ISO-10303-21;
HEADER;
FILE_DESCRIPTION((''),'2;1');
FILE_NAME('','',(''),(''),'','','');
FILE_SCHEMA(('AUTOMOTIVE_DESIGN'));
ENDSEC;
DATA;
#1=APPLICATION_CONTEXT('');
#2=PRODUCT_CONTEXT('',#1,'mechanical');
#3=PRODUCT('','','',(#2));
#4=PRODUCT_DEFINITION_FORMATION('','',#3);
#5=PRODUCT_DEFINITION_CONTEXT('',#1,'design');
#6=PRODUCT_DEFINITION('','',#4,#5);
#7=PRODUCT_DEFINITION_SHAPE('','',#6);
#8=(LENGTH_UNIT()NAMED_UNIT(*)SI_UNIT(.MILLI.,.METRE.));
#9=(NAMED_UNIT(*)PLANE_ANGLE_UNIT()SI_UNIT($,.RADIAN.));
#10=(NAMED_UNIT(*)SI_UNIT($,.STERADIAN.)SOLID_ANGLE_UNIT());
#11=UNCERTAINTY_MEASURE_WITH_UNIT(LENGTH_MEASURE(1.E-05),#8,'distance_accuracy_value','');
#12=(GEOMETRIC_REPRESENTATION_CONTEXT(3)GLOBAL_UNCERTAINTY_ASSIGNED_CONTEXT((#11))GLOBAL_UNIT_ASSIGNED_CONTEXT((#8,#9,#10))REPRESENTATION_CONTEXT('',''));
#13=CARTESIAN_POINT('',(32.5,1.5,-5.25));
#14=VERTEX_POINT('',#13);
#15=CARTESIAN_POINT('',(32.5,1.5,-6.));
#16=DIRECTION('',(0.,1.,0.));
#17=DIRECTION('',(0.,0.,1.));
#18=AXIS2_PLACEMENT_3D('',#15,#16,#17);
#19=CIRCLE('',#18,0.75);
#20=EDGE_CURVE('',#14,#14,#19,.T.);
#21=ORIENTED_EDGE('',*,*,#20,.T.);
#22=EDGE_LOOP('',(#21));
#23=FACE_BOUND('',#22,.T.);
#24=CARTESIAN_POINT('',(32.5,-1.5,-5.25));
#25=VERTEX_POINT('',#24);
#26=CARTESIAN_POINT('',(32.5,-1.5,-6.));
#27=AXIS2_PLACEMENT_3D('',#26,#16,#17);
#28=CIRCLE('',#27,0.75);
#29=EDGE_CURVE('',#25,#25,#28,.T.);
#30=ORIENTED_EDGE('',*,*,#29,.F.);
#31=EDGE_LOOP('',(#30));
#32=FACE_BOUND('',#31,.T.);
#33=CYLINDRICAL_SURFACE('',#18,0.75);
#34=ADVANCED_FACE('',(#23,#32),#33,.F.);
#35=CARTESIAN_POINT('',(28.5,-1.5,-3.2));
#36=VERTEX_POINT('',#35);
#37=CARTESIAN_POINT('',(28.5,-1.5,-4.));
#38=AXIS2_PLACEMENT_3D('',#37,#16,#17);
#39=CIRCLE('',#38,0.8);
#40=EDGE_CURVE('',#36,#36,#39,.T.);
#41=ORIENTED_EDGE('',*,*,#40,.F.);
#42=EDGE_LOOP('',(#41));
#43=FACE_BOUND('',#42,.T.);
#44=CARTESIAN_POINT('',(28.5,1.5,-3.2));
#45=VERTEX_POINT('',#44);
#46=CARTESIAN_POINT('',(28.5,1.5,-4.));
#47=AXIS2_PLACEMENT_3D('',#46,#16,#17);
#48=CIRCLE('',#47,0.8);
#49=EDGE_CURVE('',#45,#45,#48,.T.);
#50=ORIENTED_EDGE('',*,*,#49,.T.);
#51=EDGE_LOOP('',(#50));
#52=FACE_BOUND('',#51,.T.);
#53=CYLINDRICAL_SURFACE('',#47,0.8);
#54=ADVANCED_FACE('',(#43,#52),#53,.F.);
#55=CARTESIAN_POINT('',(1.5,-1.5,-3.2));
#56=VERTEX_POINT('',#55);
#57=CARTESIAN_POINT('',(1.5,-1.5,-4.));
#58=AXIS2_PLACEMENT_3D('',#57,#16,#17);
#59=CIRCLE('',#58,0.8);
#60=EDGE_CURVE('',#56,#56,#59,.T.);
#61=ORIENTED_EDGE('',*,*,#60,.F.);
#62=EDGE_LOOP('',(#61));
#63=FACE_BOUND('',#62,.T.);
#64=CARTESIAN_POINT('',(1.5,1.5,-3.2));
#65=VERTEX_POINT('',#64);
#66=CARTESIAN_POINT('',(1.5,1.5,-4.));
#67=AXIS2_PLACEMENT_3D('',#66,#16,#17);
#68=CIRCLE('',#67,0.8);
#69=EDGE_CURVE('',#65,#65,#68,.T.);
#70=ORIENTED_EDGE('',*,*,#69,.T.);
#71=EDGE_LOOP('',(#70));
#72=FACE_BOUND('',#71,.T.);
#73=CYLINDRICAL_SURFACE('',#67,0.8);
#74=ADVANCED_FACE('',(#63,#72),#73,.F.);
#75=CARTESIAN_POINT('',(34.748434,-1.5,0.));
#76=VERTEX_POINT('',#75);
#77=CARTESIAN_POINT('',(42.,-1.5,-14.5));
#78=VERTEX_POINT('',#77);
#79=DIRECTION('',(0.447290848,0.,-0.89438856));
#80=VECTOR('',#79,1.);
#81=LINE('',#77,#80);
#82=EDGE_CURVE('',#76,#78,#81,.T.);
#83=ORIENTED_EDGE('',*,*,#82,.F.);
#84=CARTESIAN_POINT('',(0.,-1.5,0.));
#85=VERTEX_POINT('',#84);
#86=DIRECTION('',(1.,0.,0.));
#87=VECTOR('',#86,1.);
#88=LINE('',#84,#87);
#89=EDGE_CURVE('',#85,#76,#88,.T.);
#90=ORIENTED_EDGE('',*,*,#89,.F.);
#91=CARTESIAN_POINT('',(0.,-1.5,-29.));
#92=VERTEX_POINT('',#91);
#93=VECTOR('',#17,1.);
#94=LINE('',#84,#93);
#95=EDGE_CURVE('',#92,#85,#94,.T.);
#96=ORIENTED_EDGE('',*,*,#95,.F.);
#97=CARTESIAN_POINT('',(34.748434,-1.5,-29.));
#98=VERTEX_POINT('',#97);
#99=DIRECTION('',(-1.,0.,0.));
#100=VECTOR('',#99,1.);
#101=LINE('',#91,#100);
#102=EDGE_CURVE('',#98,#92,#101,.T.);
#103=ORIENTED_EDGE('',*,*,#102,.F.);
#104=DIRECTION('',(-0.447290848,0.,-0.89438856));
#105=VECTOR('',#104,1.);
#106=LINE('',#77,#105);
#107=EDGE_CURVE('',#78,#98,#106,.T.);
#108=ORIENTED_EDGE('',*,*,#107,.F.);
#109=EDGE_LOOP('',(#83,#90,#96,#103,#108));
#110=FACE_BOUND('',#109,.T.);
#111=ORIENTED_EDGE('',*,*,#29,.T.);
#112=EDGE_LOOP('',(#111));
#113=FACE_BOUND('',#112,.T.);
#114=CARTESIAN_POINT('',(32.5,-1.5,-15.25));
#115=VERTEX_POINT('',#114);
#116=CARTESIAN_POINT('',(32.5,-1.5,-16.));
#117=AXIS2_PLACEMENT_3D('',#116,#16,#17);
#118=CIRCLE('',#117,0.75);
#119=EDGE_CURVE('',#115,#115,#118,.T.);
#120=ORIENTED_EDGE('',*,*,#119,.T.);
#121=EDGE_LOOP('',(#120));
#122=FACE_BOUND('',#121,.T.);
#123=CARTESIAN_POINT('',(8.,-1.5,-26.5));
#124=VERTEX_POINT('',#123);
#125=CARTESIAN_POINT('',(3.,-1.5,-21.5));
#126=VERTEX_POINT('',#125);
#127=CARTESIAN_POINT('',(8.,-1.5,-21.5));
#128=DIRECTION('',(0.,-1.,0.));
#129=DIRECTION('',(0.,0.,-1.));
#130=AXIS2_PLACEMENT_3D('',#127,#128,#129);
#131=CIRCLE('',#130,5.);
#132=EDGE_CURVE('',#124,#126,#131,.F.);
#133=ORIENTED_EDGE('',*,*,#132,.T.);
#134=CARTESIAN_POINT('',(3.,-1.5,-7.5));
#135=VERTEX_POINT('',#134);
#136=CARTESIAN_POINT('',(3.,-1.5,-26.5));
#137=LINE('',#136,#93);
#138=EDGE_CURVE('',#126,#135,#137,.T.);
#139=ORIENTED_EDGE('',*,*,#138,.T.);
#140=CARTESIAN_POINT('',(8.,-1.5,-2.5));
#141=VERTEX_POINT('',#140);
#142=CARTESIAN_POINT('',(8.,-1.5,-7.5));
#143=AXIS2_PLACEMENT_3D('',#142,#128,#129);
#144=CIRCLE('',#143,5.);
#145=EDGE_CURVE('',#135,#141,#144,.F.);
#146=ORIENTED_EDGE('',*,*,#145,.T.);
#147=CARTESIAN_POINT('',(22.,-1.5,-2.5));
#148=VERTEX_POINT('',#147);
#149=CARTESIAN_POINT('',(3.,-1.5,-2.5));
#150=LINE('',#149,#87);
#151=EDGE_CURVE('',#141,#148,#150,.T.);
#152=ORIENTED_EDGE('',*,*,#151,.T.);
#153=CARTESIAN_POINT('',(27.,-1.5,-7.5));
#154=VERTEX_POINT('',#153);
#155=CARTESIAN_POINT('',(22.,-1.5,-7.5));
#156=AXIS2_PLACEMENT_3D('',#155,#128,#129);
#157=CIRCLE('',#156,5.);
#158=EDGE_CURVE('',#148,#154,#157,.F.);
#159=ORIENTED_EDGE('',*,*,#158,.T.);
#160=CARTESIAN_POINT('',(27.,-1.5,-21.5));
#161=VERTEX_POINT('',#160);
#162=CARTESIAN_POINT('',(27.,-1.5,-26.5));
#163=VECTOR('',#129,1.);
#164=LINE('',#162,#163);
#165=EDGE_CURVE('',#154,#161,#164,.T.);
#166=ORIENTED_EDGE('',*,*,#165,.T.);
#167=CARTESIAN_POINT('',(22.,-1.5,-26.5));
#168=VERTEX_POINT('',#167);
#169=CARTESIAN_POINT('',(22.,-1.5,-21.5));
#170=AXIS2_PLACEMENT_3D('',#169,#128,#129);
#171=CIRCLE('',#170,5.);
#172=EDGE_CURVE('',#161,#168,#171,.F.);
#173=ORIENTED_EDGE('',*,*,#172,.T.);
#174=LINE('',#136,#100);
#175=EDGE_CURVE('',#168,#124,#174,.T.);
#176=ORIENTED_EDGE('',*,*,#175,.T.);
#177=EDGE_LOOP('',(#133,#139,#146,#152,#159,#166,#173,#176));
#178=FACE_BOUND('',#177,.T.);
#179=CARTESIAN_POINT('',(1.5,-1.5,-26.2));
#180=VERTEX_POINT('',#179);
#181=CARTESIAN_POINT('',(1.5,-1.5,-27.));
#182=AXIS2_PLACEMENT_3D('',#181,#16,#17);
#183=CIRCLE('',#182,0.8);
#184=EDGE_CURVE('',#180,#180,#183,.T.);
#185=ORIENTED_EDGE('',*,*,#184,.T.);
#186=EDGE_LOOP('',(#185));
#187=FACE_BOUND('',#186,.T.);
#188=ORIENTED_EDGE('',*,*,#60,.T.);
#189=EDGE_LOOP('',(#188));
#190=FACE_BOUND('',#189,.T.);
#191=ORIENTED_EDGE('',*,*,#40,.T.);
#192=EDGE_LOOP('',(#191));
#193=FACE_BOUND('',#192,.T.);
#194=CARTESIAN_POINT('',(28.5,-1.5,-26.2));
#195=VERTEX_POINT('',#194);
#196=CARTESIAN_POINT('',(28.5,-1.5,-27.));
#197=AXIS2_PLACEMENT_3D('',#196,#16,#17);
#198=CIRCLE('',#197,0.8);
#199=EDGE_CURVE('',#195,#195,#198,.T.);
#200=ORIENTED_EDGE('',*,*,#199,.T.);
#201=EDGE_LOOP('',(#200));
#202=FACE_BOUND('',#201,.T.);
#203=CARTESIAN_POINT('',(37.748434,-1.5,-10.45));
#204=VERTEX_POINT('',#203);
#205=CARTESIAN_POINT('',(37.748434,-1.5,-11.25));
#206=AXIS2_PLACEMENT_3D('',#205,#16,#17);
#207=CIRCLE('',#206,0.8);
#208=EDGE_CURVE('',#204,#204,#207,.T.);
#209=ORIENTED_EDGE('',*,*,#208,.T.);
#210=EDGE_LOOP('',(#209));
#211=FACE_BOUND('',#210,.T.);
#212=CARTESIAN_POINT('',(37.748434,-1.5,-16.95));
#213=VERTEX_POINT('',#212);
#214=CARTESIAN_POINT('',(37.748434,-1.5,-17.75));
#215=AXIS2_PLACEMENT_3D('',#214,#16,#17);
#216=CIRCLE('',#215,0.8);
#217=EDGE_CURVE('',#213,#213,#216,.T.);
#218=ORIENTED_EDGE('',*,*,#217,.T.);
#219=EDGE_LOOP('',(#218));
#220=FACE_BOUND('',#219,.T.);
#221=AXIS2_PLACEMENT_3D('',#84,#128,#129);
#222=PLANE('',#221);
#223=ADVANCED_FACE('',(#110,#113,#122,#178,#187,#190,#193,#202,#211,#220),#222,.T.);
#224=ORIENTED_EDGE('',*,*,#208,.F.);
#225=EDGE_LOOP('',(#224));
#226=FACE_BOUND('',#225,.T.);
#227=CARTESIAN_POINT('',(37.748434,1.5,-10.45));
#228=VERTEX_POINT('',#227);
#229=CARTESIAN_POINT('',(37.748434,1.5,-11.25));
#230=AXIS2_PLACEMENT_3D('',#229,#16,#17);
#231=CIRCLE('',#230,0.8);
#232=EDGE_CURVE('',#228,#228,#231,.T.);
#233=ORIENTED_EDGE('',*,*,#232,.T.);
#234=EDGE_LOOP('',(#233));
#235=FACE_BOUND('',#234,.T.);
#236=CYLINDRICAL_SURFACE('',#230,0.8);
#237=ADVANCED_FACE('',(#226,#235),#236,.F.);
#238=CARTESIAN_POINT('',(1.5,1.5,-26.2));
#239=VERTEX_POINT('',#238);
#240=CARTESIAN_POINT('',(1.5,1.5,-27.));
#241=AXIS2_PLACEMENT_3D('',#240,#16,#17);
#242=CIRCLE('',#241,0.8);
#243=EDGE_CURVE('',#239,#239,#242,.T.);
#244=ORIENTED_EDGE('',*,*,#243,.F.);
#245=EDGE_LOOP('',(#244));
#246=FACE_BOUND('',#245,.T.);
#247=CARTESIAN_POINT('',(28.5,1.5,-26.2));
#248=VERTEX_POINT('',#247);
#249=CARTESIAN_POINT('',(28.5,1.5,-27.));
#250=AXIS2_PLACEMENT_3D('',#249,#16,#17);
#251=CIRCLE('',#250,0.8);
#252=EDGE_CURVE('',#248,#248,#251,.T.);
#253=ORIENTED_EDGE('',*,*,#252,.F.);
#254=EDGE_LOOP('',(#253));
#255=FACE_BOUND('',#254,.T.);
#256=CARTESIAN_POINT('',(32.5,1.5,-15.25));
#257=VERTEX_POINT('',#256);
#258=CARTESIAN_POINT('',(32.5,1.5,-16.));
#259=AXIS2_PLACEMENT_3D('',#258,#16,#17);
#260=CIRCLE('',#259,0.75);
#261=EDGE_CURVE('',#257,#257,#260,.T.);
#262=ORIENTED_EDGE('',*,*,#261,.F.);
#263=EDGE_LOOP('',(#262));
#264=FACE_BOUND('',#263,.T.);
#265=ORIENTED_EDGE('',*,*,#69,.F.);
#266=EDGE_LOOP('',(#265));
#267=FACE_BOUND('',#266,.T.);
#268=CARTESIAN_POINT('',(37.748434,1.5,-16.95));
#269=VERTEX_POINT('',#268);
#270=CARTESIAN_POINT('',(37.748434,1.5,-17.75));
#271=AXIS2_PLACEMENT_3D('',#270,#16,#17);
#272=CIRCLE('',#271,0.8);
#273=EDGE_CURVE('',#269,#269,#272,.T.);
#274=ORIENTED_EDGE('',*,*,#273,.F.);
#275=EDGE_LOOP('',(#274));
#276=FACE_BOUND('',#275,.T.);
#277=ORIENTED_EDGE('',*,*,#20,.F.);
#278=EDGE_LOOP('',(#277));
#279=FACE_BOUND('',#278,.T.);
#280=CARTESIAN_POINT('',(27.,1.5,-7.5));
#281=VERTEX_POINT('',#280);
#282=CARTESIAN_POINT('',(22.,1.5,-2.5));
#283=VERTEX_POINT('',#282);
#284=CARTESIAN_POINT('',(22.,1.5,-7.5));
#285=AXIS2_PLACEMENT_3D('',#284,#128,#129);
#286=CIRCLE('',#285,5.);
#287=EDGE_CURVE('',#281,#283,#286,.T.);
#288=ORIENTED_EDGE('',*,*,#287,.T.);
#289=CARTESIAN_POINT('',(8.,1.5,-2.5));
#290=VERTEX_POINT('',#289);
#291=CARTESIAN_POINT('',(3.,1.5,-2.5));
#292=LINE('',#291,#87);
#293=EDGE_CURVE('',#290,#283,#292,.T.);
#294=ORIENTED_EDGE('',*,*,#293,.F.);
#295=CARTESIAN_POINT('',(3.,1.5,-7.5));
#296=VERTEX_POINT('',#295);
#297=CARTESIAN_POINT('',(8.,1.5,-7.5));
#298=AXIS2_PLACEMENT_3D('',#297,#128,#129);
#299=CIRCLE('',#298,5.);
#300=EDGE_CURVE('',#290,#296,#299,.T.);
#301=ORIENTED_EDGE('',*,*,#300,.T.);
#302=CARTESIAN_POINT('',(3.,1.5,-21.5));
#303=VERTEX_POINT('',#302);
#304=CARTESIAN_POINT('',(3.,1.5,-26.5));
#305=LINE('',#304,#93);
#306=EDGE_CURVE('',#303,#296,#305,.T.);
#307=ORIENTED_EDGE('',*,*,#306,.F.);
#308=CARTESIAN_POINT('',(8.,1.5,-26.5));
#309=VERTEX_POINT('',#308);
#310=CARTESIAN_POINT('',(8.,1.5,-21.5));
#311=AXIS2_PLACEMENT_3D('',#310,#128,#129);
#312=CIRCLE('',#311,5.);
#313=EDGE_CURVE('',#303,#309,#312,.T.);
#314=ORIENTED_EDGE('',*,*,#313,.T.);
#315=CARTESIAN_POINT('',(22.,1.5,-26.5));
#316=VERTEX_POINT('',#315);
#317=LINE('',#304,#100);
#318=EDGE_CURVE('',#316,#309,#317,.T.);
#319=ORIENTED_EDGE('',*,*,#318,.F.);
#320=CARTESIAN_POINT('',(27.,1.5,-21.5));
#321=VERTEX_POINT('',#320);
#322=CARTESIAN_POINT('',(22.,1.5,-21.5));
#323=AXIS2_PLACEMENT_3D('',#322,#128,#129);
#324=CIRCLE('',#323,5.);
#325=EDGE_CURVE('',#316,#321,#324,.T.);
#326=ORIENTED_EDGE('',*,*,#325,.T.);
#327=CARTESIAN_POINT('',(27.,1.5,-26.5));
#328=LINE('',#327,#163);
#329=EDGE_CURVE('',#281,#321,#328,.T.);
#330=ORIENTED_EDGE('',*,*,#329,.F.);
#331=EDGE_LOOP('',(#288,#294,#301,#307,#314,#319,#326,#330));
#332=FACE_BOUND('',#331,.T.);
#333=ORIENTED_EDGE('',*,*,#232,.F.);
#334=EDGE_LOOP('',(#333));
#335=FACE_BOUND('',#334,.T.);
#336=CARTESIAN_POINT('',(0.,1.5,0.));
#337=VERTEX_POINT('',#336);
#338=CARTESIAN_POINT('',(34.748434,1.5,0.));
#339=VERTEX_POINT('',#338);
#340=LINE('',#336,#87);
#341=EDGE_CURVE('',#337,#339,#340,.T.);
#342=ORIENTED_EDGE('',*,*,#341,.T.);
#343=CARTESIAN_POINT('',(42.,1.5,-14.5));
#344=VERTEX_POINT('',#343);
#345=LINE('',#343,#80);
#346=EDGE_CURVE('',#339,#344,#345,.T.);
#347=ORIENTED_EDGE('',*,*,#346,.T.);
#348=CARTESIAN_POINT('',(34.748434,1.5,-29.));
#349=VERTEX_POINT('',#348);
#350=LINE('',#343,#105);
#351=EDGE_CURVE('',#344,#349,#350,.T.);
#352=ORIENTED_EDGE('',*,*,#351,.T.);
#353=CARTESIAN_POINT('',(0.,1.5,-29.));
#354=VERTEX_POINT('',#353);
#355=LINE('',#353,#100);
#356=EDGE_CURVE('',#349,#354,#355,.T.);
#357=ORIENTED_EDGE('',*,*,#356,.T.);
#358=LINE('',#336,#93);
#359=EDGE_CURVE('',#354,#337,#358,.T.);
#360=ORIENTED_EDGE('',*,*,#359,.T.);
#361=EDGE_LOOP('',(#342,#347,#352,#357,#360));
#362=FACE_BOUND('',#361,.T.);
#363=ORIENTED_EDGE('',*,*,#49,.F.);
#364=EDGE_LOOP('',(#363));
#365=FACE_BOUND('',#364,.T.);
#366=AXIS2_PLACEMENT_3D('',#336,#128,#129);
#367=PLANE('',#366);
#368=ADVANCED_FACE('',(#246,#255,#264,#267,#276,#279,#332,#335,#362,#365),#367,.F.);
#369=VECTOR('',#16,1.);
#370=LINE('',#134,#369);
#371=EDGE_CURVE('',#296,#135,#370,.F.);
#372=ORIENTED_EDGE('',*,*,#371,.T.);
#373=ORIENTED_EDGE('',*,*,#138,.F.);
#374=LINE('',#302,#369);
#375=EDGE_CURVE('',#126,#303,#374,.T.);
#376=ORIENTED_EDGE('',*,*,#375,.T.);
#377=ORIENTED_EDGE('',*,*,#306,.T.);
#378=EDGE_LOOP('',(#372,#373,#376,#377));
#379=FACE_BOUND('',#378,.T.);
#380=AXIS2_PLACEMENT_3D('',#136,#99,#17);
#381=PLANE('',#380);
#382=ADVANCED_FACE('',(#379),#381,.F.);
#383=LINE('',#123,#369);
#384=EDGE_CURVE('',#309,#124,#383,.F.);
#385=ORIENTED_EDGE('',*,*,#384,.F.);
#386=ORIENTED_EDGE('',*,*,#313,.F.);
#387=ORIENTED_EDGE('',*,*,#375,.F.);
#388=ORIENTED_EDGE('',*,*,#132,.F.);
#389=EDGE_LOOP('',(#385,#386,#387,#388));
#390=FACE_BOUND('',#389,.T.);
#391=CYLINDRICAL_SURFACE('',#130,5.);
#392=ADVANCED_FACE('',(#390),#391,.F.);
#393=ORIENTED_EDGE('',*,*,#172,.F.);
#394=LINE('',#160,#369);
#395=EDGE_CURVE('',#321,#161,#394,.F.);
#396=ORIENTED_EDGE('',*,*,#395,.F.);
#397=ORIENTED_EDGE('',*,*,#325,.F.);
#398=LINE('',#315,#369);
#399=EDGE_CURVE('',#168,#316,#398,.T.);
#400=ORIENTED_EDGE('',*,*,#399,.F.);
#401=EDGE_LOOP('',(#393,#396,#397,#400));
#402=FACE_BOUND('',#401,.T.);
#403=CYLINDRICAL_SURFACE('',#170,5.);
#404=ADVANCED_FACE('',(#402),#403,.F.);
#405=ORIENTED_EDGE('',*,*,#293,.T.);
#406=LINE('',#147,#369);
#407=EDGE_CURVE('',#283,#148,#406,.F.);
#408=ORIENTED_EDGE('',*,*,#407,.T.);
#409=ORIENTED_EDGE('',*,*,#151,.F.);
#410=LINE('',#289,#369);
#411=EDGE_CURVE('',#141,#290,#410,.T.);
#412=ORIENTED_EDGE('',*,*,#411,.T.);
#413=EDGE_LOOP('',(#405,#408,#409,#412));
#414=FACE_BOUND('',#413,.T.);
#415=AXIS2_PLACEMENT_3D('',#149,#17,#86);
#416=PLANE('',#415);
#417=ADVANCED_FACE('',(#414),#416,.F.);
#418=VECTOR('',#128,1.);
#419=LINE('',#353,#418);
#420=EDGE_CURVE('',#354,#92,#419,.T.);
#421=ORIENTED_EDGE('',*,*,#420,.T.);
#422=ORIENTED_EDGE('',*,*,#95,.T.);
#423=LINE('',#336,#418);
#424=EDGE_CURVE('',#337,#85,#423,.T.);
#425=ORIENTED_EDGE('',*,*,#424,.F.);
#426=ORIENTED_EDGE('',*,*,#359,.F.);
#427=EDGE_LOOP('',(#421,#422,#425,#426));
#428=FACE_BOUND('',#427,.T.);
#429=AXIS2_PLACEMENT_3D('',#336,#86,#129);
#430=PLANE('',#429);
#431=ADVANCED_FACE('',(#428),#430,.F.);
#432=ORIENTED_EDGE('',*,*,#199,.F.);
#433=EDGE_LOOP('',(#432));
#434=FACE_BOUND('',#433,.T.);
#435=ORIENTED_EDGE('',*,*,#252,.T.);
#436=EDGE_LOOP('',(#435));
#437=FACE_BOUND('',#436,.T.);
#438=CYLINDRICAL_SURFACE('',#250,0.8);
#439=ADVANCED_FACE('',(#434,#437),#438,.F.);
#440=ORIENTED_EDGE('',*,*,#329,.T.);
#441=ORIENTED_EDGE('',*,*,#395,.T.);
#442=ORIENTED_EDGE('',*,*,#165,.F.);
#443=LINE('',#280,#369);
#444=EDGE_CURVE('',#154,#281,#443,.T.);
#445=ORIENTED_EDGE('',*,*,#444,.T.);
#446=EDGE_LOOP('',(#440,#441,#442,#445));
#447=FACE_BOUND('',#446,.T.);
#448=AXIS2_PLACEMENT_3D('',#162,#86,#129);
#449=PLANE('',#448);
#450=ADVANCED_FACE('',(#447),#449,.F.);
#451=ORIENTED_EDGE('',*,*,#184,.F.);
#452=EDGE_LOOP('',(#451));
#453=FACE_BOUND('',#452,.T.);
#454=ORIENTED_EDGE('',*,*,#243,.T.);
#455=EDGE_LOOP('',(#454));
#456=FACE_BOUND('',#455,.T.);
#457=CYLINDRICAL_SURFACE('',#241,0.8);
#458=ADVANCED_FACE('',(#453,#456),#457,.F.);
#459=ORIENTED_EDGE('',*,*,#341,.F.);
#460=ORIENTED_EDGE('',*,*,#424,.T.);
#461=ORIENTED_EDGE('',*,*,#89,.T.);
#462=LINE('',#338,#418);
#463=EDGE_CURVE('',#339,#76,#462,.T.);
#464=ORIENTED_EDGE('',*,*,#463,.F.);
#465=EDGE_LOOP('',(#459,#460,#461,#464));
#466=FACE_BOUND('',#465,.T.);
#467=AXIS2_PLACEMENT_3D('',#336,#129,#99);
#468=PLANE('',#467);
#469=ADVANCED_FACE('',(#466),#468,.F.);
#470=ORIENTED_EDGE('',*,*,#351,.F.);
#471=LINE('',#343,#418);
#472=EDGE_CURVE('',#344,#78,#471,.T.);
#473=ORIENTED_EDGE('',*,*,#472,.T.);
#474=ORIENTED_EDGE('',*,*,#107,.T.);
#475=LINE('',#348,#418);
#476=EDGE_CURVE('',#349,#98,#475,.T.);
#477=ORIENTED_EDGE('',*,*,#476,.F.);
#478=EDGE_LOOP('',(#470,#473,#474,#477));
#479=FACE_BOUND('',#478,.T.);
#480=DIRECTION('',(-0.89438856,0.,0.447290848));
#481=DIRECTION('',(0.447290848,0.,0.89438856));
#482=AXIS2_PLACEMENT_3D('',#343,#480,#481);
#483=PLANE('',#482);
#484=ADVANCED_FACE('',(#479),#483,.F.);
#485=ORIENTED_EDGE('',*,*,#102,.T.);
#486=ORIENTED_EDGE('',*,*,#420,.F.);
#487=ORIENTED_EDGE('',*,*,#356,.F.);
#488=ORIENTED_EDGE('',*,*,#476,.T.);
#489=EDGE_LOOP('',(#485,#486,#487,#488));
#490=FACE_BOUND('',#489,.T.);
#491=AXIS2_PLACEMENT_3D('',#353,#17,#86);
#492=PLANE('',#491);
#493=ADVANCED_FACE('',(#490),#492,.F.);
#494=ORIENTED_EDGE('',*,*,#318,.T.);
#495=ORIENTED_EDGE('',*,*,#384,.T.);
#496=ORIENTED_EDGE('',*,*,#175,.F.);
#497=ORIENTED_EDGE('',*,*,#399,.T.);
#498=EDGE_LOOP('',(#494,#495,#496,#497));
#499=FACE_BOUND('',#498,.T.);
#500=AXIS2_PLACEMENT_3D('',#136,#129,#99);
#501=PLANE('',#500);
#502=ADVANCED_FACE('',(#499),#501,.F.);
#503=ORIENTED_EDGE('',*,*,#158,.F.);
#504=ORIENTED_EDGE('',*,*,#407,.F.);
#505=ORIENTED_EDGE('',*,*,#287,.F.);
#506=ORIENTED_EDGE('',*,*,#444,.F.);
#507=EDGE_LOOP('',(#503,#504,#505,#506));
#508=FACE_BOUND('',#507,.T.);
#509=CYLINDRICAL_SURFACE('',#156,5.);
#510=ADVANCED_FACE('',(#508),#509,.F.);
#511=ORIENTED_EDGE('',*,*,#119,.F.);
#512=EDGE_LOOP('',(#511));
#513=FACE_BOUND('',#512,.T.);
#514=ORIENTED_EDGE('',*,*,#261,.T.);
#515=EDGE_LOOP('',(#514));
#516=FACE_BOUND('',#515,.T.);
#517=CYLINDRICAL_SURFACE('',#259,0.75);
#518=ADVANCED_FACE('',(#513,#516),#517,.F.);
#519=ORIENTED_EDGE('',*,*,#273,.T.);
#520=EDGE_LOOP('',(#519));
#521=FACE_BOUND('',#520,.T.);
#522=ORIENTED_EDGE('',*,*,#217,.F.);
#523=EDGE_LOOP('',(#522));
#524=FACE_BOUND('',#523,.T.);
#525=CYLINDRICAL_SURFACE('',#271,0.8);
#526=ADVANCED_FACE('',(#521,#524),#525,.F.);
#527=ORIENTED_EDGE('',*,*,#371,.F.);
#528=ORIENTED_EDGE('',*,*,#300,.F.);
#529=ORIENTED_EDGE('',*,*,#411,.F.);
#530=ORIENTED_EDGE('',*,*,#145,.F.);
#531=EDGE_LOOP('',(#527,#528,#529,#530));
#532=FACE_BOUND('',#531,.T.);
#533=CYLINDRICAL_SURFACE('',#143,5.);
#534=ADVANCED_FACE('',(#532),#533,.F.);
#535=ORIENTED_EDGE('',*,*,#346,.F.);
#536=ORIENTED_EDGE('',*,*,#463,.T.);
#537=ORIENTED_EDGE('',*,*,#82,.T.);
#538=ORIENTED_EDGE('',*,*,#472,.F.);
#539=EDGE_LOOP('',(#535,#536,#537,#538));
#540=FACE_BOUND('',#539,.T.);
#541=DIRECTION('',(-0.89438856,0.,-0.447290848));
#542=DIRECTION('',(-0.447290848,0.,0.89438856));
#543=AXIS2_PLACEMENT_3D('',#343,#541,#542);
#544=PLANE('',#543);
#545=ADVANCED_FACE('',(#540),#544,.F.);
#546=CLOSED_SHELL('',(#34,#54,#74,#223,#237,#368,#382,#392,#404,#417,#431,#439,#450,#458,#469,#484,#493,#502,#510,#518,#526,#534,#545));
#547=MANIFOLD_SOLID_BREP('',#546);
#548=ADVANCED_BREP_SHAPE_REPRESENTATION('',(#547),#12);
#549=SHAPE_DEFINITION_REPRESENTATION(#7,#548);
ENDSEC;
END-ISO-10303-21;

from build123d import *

# Parameters (mm, degrees)
BOSS_EXTRUDE1_DEPTH     = 1.5
CUT_EXTRUDE1_DEPTH      = 52.061237744
CUT_EXTRUDE1_DEPTH_BACK = 52.061237744
SKETCH2_W               = 24
SKETCH2_H               = 24
FILLET1_R               = 5
M2X0_4_TAPPED_HOLE1_D   = 1.6
F_1_5MM_DOWEL_HOLE1_D   = 1.5


with BuildPart() as part:
    # Sketch1 → Boss-Extrude1 (new, symmetric)
    with BuildSketch(Plane(origin=(0, 0, 0), x_dir=(1, 0, 0), z_dir=(0, 1, 0))):
        Polygon((0, 0), (34.748434417, 0), (42, 14.5), (34.748434417, 29), (0, 29), align=None)
    extrude(amount=BOSS_EXTRUDE1_DEPTH, both=True)

    # Sketch2 → Cut-Extrude1 (cut, two sides: drawn at the far end of the back side and taken through both)
    with BuildSketch(Plane(origin=(0, 0, 0), x_dir=(1, 0, 0), z_dir=(0, 1, 0)).offset(-CUT_EXTRUDE1_DEPTH_BACK)):
        with Locations((15, 14.5)):
            Rectangle(SKETCH2_W, SKETCH2_H)
    extrude(amount=CUT_EXTRUDE1_DEPTH + CUT_EXTRUDE1_DEPTH_BACK, mode=Mode.SUBTRACT)

    # Fillet1
    fillet1_edges = [part.edges().sort_by_distance(p)[0] for p in [
        (3, 0, -2.5),
        (3, 0, -26.5),
        (27, 0, -26.5),
        (27, 0, -2.5),
    ]]
    fillet(fillet1_edges, radius=FILLET1_R)

    # M2x0.4 Tapped Hole1 (through all)
    with Locations(Plane(origin=(1.5, 1.5, -27), x_dir=(0, 0, 1), z_dir=(0, 1, 0))):
        with Locations((0, 0), (0, 27), (9.25, 36.248434417), (15.75, 36.248434417), (23, 27), (23, 0)):
            Hole(M2X0_4_TAPPED_HOLE1_D / 2)

    # Ø1.5mm Dowel Hole1 (through all)
    with Locations(Plane(origin=(32.5, 1.5, -16), x_dir=(0, 0, 1), z_dir=(0, 1, 0))):
        with Locations((0, 0), (10, 0)):
            Hole(F_1_5MM_DOWEL_HOLE1_D / 2)


solid = part.part
